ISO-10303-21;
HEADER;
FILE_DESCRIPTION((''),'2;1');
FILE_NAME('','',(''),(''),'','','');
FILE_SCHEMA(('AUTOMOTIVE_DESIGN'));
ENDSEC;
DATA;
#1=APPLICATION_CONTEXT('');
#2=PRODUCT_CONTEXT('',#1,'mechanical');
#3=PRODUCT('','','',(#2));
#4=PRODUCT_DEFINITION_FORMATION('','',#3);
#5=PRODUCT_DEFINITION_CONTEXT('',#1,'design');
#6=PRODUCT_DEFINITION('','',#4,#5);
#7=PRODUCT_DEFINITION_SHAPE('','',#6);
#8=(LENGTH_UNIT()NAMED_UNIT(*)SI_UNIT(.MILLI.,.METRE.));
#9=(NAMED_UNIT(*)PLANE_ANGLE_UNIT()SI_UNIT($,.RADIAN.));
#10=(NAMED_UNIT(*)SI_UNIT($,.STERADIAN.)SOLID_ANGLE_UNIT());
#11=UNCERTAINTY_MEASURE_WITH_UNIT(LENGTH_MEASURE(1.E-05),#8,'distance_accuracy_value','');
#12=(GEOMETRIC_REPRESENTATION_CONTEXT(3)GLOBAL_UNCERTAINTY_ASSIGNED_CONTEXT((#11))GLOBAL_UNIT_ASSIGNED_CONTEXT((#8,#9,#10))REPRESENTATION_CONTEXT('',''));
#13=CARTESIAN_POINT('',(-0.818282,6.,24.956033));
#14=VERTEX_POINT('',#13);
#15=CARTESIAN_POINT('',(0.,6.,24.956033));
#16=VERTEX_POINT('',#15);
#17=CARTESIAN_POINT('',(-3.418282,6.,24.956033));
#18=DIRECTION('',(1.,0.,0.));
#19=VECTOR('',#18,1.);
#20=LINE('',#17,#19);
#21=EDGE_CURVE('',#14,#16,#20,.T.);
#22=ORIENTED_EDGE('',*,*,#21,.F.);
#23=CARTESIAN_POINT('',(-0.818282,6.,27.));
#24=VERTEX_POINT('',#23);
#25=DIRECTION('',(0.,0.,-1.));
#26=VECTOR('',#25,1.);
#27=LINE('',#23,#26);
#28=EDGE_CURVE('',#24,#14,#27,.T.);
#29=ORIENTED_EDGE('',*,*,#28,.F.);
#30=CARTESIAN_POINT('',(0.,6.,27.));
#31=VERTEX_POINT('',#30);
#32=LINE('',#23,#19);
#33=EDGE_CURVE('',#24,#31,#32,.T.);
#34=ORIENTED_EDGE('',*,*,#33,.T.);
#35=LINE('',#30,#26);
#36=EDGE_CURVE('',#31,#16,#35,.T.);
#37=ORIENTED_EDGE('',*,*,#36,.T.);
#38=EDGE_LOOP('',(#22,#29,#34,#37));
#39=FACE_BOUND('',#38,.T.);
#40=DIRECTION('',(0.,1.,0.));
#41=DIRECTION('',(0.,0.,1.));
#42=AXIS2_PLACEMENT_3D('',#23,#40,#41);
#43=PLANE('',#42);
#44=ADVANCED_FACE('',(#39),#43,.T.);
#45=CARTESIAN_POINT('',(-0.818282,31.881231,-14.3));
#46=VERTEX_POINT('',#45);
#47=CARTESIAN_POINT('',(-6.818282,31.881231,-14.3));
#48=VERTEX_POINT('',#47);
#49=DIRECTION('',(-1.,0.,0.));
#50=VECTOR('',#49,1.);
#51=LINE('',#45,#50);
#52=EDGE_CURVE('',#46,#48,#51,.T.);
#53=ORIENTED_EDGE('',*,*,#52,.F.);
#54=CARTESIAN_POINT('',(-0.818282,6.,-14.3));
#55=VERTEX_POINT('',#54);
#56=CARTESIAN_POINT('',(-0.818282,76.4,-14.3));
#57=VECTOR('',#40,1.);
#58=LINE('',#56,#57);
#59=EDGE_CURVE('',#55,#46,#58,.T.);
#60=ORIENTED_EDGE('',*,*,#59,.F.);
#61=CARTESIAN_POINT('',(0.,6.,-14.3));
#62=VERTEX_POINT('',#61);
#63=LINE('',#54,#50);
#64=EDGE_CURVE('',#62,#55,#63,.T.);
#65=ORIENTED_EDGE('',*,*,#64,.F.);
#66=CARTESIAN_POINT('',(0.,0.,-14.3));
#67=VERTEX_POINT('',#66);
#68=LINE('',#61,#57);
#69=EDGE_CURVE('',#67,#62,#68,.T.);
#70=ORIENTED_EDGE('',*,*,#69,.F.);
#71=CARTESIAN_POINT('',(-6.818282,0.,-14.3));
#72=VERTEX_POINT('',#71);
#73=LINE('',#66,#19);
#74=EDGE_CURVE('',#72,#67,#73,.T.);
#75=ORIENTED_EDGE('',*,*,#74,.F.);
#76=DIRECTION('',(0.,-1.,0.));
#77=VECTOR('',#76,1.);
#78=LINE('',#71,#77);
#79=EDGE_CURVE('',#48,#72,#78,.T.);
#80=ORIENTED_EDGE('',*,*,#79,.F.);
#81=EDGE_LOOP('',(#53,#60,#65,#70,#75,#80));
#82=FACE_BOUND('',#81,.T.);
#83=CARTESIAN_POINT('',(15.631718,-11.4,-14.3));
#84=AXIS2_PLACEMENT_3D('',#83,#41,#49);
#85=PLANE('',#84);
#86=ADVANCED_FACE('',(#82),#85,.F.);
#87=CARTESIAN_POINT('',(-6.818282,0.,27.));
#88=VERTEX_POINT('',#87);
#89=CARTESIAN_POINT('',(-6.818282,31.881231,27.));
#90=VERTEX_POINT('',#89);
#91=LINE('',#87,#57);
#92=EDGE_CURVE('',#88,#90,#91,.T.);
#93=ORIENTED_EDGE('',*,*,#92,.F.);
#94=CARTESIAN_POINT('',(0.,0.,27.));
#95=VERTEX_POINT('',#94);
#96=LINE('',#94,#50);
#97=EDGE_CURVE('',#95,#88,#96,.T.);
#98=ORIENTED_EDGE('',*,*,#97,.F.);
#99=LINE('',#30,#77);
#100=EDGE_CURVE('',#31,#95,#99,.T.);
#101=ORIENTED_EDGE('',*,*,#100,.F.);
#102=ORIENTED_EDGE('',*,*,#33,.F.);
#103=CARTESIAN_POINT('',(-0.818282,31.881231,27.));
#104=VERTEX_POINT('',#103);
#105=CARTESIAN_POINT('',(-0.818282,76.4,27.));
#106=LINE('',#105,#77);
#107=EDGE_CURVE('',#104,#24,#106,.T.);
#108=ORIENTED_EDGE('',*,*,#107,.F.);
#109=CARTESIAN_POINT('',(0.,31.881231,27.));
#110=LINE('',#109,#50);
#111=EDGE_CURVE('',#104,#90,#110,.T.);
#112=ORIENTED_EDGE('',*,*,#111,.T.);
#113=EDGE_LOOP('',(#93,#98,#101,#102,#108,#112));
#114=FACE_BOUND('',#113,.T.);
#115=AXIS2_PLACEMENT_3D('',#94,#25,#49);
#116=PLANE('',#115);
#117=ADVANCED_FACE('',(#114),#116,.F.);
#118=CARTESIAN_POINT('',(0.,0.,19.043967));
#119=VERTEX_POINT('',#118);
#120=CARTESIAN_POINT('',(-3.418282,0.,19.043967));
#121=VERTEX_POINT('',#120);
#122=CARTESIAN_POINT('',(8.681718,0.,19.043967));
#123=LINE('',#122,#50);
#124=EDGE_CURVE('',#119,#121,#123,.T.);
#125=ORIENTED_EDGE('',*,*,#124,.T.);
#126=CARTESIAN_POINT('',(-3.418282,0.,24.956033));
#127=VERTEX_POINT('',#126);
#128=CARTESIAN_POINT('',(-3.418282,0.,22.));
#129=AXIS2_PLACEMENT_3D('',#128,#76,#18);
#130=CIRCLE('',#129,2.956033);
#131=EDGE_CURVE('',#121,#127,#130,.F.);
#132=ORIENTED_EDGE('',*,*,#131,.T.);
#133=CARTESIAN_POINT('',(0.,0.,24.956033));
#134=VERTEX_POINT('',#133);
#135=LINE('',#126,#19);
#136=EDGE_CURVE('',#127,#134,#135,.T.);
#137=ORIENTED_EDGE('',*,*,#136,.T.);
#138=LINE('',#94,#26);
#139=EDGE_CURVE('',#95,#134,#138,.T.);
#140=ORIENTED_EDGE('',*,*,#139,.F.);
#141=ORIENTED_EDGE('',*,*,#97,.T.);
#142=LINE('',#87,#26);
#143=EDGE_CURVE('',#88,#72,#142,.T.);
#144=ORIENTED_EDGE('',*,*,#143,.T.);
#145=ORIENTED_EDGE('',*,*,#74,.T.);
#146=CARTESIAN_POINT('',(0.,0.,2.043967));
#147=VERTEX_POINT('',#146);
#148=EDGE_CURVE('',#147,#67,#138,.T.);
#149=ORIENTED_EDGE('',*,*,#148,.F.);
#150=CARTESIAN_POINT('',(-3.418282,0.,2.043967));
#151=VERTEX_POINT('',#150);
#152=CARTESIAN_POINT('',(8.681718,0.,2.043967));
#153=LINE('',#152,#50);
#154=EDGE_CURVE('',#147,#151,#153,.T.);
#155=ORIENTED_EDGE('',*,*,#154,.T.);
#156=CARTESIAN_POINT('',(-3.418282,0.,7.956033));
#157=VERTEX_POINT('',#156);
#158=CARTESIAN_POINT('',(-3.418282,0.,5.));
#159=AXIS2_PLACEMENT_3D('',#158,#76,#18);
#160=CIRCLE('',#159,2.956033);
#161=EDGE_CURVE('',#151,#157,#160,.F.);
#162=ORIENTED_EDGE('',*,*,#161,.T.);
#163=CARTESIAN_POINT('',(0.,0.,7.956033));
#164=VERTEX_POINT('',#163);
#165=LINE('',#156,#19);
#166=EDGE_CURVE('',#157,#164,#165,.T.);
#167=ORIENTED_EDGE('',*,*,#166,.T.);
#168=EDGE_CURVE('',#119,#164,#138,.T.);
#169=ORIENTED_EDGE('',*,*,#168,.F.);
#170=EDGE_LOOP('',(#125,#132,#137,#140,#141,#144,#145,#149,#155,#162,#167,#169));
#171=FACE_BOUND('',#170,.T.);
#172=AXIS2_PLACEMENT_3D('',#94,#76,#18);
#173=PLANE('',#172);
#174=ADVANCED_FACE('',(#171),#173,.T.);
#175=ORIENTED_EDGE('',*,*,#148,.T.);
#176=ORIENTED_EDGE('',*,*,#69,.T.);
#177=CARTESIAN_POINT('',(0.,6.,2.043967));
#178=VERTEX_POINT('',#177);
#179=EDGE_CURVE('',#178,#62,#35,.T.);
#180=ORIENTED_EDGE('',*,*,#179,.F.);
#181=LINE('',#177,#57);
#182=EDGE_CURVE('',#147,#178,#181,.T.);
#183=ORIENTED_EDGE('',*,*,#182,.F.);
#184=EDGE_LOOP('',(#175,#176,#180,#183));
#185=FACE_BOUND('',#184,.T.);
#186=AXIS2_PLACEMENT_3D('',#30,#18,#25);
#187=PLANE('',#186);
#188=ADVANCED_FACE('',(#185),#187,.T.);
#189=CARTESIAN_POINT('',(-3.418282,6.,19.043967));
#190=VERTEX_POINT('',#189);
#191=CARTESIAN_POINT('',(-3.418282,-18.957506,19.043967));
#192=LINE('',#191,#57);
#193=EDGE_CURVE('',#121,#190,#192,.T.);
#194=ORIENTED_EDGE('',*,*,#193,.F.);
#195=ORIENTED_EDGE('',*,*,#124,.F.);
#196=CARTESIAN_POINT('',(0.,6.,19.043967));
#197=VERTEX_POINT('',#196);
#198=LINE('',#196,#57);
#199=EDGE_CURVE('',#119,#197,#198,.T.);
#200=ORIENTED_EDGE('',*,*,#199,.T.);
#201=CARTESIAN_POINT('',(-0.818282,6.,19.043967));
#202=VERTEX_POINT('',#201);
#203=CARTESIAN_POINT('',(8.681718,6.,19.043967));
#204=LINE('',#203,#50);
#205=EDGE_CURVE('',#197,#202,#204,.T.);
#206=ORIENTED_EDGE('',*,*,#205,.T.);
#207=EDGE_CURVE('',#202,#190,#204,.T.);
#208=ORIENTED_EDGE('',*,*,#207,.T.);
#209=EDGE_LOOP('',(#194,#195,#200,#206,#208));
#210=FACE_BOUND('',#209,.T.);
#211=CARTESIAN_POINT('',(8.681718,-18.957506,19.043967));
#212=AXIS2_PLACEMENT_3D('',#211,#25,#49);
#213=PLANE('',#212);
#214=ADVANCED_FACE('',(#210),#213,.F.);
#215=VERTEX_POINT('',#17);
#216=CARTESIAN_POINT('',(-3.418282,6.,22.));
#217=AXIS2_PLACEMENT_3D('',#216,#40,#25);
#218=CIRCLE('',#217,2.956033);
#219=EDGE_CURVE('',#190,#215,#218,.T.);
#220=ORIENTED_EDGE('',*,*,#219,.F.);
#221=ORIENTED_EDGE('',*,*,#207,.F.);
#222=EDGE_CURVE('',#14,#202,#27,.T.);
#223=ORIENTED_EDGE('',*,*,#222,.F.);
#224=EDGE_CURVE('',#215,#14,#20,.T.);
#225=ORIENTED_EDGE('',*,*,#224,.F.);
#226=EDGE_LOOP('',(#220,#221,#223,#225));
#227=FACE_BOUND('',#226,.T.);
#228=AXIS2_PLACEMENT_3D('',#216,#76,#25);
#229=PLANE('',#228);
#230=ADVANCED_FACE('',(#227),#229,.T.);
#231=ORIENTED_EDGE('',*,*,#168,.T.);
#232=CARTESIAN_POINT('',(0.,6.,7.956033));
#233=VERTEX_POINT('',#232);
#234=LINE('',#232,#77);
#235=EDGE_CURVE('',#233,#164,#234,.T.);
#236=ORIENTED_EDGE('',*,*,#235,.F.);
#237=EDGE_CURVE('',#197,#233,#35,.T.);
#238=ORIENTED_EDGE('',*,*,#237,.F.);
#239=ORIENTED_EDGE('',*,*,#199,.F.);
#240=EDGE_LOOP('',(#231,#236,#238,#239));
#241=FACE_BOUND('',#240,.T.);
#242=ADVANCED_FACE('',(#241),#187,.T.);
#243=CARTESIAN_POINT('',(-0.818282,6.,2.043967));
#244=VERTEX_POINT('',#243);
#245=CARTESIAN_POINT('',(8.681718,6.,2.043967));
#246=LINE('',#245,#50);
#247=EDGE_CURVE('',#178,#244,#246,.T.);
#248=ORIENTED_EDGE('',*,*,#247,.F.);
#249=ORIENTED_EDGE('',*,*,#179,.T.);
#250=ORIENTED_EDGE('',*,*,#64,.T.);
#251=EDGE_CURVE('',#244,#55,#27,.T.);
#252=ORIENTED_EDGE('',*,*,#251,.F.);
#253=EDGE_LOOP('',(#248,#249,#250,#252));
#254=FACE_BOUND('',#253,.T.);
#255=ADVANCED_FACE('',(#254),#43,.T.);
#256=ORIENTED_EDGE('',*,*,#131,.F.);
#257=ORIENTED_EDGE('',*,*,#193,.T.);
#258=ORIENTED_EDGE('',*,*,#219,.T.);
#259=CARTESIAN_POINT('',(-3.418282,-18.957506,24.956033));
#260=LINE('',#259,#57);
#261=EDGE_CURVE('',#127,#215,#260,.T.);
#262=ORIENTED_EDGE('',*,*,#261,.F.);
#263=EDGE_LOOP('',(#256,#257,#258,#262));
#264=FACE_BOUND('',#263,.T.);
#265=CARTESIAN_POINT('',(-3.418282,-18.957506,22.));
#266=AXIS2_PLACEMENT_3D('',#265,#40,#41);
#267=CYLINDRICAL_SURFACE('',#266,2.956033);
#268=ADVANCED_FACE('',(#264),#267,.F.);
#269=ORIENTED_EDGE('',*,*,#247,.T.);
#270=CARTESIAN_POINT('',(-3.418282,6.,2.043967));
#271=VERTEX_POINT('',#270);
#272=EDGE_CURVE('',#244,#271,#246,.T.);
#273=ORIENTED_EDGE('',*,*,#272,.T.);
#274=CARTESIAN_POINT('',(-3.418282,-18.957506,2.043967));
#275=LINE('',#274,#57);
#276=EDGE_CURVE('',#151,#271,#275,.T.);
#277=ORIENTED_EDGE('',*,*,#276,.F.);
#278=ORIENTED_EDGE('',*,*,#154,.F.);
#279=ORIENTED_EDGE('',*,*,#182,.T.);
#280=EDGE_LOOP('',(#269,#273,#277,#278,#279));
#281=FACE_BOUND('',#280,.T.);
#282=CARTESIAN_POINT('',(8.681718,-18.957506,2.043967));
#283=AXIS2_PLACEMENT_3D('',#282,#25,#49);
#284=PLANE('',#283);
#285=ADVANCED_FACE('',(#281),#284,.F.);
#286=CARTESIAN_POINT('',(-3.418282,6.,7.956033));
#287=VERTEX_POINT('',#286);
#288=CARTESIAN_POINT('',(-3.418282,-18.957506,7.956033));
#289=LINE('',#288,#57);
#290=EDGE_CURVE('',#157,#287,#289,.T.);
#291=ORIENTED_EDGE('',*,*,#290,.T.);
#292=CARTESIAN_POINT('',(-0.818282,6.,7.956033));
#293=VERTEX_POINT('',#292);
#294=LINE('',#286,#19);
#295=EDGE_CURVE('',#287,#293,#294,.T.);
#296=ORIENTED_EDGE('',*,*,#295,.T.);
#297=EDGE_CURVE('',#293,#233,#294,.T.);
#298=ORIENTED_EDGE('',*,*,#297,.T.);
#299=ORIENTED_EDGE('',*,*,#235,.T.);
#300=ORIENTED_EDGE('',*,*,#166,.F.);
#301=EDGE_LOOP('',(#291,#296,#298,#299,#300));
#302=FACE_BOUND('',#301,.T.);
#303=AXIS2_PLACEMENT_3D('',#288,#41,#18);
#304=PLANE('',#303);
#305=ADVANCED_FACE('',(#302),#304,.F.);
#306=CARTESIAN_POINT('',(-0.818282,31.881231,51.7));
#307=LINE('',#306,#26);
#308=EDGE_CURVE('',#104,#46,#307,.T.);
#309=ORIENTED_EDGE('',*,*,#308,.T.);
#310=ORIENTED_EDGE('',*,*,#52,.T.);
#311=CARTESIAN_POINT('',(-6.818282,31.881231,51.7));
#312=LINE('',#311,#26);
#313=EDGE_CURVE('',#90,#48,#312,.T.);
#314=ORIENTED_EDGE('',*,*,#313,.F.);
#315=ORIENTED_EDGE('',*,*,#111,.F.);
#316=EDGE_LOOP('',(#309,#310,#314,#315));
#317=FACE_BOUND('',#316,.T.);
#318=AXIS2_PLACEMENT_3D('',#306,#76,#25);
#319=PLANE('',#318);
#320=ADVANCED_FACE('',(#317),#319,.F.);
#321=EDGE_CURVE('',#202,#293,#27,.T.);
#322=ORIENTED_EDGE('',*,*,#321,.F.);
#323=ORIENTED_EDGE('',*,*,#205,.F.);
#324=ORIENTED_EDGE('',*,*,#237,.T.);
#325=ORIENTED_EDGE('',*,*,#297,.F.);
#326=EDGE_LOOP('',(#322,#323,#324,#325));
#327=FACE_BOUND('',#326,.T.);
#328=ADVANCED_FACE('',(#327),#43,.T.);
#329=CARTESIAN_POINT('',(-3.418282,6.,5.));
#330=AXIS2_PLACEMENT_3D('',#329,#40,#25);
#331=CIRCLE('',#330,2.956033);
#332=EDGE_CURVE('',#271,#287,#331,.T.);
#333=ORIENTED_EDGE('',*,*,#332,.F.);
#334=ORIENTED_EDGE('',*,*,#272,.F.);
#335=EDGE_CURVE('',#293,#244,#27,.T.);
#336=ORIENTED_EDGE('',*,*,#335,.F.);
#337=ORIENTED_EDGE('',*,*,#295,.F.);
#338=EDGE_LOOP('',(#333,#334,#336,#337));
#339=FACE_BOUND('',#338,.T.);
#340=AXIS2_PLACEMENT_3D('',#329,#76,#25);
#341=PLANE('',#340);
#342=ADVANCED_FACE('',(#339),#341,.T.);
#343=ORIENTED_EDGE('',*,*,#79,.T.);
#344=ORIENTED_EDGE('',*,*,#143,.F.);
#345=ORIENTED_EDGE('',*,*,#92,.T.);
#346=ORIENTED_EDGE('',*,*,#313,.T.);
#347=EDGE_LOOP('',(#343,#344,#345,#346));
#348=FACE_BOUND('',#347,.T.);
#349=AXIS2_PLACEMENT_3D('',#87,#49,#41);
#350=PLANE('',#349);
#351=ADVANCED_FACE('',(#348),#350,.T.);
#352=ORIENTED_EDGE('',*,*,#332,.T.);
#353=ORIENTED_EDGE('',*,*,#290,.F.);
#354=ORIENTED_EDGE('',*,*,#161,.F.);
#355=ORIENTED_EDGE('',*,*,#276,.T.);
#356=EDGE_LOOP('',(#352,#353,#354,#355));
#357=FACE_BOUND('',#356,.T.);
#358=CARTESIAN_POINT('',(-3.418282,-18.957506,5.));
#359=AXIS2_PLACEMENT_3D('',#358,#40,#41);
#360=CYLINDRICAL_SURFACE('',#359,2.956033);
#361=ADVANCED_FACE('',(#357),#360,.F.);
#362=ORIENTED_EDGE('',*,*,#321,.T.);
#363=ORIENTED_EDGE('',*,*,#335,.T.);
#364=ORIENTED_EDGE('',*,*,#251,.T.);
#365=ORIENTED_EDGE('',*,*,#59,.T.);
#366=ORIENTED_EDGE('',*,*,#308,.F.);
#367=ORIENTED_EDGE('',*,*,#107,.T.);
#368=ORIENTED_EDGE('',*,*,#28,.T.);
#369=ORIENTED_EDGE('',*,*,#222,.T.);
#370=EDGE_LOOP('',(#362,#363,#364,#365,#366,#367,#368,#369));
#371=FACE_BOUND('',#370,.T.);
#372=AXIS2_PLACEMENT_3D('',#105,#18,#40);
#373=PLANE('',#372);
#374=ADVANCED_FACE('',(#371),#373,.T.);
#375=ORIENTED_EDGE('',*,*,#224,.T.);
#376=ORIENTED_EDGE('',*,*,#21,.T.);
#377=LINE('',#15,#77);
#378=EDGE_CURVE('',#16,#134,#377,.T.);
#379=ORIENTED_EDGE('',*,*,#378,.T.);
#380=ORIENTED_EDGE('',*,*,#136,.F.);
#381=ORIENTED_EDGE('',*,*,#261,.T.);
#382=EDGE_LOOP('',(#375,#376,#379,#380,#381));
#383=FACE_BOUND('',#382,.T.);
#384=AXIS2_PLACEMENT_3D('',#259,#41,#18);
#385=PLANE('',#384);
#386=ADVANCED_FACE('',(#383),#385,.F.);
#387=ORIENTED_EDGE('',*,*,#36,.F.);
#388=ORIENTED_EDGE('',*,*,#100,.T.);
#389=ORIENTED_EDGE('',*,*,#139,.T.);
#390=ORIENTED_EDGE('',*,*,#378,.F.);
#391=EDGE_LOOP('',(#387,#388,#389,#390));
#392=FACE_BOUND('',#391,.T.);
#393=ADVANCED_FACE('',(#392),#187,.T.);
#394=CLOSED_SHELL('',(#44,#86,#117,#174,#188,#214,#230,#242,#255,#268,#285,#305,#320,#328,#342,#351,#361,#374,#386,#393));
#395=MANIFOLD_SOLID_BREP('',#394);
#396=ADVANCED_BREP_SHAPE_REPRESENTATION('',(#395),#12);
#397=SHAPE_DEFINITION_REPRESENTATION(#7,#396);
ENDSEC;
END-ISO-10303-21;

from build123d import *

# Parameters (mm, degrees)
BOSS_EXTRUDE1_DEPTH = 27
BOSS_EXTRUDE2_DEPTH = 14.3
CUT_EXTRUDE1_DEPTH  = 6
SKETCH4_W           = 6
SKETCH4_H           = 44.518768508
CUT_EXTRUDE2_DEPTH  = 66


with BuildPart() as part:
    # Sketch1 → Boss-Extrude1 (new body)
    with BuildSketch(Plane.XY):
        Polygon((0, 0), (-6.81828161, 0), (-6.81828161, 76.4), (-0.81828161, 76.4), (-0.81828161, 6), (0, 6), align=None)
    extrude(amount=BOSS_EXTRUDE1_DEPTH)

    # Sketch2 → Boss-Extrude2 (add)
    with BuildSketch(Plane(origin=(0, 0, 0), x_dir=(-1, 0, 0), z_dir=(0, 0, -1))):
        Polygon((0.81828161, 6), (0, 6), (0, 0), (6.81828161, 0), (6.81828161, 76.4), (0.81828161, 76.4), align=None)
    extrude(amount=BOSS_EXTRUDE2_DEPTH)

    # Sketch3 → Cut-Extrude1 (cut)
    with BuildSketch(Plane(origin=(0, 6, 0), x_dir=(1, 0, 0), z_dir=(0, 1, 0))):
        with BuildLine():
            Line((8.68171839, -2.04396728), (-3.41828161, -2.04396728))
            ThreePointArc((-3.41828161, -2.04396728), (-6.37431433, -5), (-3.41828161, -7.95603272))
            Line((-3.41828161, -7.95603272), (8.68171839, -7.95603272))
            ThreePointArc((8.68171839, -7.95603272), (11.63775111, -5), (8.68171839, -2.04396728))
        make_face()
        with BuildLine():
            Line((8.68171839, -19.04396728), (-3.41828161, -19.04396728))
            ThreePointArc((-3.41828161, -19.04396728), (-6.37431433, -22), (-3.41828161, -24.95603272))
            Line((-3.41828161, -24.95603272), (8.68171839, -24.95603272))
            ThreePointArc((8.68171839, -24.95603272), (11.63775111, -22), (8.68171839, -19.04396728))
        make_face()
    extrude(amount=-CUT_EXTRUDE1_DEPTH, mode=Mode.SUBTRACT)

    # Sketch4 → Cut-Extrude2 (cut)
    with BuildSketch(Plane(origin=(0, 0, -14.3), x_dir=(-1, 0, 0), z_dir=(0, 0, -1))):
        with Locations((3.81828161, 54.140615746)):
            Rectangle(SKETCH4_W, SKETCH4_H)
    extrude(amount=-CUT_EXTRUDE2_DEPTH, mode=Mode.SUBTRACT)


solid = part.part
